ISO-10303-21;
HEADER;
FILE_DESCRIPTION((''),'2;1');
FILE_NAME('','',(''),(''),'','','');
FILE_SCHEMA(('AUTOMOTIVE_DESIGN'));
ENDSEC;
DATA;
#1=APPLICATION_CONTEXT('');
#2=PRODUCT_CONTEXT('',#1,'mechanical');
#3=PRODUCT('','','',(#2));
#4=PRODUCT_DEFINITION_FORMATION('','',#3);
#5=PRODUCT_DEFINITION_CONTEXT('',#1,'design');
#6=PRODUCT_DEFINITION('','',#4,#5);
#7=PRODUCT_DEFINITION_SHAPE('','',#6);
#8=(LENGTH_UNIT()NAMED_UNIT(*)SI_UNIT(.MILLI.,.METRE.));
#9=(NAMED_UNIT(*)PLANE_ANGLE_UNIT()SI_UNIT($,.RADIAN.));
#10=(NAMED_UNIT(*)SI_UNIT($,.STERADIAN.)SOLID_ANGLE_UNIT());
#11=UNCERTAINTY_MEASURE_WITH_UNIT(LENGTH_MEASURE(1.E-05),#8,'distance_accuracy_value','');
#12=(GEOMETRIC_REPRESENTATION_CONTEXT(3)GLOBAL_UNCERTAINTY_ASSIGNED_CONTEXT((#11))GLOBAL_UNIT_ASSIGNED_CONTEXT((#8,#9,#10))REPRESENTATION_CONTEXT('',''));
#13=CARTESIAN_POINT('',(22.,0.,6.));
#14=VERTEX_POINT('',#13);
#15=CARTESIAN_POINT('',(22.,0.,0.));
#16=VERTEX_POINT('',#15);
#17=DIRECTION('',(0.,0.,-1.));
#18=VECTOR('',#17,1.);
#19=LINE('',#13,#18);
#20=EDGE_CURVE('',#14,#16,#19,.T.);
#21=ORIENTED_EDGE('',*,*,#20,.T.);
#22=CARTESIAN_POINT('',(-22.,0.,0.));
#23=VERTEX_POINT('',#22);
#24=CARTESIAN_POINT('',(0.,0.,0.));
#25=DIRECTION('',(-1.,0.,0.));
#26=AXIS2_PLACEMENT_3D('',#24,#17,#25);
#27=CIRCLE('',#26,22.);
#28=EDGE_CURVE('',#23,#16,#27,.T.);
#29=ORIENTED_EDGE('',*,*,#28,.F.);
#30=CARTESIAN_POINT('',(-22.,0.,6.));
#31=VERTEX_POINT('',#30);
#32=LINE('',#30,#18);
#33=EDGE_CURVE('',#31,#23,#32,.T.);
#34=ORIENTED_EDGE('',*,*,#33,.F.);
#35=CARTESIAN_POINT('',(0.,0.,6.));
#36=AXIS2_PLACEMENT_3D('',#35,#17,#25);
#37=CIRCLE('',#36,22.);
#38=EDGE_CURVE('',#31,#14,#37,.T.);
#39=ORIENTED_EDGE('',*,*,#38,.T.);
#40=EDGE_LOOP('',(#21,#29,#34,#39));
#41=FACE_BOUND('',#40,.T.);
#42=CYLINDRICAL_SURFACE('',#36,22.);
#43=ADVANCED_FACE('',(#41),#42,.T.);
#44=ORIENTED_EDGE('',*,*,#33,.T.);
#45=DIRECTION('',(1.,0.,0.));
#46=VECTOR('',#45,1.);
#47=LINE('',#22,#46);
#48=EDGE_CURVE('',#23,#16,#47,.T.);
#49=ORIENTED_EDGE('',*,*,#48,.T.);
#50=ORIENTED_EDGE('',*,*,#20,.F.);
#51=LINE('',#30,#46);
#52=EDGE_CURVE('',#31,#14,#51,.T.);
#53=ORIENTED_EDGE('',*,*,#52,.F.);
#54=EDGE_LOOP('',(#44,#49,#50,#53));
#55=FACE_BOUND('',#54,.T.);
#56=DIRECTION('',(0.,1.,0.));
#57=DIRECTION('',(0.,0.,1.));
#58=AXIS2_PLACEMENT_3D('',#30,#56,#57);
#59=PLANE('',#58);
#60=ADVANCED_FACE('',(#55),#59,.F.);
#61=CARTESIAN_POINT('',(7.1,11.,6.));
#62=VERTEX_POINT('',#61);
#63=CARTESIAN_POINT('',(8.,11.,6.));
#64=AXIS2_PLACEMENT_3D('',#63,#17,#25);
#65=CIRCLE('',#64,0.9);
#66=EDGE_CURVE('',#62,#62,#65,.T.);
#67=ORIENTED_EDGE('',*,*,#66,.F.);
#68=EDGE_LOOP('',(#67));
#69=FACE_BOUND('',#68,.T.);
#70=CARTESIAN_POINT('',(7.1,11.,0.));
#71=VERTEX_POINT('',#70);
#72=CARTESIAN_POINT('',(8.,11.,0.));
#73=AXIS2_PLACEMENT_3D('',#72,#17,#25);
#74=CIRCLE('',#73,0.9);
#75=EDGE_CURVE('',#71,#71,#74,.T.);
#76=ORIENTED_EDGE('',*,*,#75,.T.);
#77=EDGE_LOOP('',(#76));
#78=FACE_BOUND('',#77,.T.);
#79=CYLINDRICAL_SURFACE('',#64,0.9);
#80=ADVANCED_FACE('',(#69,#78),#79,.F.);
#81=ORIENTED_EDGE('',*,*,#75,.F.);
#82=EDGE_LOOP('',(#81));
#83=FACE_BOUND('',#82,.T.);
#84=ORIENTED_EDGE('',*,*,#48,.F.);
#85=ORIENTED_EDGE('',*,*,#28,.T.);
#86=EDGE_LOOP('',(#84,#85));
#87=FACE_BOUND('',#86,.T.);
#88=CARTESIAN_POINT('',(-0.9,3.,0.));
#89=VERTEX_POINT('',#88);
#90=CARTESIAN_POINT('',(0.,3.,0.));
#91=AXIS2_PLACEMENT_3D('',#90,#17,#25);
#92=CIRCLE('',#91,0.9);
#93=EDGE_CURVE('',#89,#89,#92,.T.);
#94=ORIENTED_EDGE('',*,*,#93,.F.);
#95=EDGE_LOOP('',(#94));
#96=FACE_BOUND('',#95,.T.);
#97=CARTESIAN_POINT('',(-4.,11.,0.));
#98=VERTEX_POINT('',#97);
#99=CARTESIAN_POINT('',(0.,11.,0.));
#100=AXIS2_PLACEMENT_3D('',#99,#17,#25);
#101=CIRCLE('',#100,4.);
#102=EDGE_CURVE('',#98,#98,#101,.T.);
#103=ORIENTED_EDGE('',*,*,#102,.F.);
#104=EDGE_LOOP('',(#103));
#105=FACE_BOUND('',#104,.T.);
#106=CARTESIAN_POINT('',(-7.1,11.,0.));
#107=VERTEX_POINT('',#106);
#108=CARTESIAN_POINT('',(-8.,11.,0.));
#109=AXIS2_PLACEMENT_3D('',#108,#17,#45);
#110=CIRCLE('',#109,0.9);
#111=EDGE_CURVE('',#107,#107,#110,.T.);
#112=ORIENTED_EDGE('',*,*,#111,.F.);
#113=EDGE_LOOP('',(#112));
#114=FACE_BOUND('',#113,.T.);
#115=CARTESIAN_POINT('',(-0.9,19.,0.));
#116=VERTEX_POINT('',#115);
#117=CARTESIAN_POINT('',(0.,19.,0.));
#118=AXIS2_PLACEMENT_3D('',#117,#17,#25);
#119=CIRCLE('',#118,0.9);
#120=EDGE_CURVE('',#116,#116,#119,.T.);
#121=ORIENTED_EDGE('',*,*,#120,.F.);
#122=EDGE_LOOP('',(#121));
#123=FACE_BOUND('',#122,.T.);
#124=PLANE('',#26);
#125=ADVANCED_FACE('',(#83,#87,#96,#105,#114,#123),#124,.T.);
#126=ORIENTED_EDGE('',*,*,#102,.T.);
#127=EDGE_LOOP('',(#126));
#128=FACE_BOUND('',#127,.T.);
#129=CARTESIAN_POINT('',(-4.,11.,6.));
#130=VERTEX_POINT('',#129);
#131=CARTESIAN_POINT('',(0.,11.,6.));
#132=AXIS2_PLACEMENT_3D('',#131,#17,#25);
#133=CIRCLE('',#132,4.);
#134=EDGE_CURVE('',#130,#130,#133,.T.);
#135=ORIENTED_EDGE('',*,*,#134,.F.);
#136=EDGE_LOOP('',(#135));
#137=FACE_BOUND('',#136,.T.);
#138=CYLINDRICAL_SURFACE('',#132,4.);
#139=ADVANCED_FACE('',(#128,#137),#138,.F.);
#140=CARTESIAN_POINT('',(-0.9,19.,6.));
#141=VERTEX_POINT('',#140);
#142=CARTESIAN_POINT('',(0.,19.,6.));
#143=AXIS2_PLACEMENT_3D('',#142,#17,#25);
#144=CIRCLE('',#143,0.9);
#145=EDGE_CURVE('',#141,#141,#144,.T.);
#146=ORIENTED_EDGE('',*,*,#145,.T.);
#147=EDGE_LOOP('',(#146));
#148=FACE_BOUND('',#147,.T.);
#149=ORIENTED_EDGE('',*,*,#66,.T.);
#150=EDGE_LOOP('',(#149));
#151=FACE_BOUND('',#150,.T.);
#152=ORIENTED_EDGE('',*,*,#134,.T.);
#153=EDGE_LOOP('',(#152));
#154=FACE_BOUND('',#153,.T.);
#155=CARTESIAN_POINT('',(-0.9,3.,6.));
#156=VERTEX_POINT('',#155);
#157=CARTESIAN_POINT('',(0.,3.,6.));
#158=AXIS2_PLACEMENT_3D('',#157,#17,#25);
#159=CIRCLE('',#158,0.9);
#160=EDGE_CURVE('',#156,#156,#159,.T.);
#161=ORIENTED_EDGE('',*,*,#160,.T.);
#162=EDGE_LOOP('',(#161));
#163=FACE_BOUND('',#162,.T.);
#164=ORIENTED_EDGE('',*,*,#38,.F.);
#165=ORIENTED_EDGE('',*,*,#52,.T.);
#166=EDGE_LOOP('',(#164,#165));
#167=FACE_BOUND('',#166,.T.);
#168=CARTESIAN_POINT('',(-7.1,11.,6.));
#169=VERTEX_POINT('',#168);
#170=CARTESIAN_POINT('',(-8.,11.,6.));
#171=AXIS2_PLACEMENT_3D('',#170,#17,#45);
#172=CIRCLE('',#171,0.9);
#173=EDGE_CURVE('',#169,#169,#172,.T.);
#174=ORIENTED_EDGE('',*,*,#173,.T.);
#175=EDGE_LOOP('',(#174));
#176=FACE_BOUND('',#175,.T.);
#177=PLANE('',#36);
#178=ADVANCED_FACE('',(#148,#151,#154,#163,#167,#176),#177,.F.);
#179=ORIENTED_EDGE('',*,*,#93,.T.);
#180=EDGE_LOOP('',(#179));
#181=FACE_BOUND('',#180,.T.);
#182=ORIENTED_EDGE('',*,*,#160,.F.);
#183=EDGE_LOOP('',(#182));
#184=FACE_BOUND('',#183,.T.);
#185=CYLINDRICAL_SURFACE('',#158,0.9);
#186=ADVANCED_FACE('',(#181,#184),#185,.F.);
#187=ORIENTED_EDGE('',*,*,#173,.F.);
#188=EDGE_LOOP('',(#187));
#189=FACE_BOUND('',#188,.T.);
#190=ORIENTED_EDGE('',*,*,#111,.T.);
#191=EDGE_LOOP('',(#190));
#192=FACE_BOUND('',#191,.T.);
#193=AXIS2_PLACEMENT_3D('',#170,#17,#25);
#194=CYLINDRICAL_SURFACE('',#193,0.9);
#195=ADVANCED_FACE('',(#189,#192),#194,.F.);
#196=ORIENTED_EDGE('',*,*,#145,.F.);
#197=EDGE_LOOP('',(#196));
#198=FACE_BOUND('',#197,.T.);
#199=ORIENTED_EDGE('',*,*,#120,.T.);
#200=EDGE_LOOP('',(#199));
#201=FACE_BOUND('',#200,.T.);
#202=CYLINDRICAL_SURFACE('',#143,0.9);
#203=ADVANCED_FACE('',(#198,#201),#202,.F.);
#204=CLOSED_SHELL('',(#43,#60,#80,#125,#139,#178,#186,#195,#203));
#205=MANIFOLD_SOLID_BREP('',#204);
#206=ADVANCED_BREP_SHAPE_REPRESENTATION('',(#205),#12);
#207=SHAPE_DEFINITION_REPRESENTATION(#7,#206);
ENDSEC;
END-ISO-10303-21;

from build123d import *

# Parameters (mm, degrees)
BOSS_EXTRU_2_DEPTH      = 6
ESQUISSE4_R             = 4
ESQUISSE4_R_2           = 0.9
ENL_V_MAT_EXTRU_1_DEPTH = 6


with BuildPart() as part:
    # Esquisse2 → Boss.-Extru.2 (new body)
    with BuildSketch(Plane.XY):
        with BuildLine():
            Line((-22, 0), (22, 0))
            ThreePointArc((22, 0), (0, 22), (-22, 0))
        make_face()
    extrude(amount=BOSS_EXTRU_2_DEPTH)

    # Esquisse4 → Enlèv. mat.-Extru.1 (cut)
    with BuildSketch(Plane(origin=(0, 0, 0), x_dir=(-1, 0, 0), z_dir=(0, 0, -1))):
        with Locations((0, 11)):
            Circle(ESQUISSE4_R)
        with Locations((0, 19)):
            Circle(ESQUISSE4_R_2)
        with Locations((0, 3)):
            Circle(ESQUISSE4_R_2)
        with Locations((-8, 11)):
            Circle(ESQUISSE4_R_2)
        with Locations(Location((8, 11, 0), (0, 0, 180))):
            Circle(ESQUISSE4_R_2)
    extrude(amount=-ENL_V_MAT_EXTRU_1_DEPTH, mode=Mode.SUBTRACT)


solid = part.part
